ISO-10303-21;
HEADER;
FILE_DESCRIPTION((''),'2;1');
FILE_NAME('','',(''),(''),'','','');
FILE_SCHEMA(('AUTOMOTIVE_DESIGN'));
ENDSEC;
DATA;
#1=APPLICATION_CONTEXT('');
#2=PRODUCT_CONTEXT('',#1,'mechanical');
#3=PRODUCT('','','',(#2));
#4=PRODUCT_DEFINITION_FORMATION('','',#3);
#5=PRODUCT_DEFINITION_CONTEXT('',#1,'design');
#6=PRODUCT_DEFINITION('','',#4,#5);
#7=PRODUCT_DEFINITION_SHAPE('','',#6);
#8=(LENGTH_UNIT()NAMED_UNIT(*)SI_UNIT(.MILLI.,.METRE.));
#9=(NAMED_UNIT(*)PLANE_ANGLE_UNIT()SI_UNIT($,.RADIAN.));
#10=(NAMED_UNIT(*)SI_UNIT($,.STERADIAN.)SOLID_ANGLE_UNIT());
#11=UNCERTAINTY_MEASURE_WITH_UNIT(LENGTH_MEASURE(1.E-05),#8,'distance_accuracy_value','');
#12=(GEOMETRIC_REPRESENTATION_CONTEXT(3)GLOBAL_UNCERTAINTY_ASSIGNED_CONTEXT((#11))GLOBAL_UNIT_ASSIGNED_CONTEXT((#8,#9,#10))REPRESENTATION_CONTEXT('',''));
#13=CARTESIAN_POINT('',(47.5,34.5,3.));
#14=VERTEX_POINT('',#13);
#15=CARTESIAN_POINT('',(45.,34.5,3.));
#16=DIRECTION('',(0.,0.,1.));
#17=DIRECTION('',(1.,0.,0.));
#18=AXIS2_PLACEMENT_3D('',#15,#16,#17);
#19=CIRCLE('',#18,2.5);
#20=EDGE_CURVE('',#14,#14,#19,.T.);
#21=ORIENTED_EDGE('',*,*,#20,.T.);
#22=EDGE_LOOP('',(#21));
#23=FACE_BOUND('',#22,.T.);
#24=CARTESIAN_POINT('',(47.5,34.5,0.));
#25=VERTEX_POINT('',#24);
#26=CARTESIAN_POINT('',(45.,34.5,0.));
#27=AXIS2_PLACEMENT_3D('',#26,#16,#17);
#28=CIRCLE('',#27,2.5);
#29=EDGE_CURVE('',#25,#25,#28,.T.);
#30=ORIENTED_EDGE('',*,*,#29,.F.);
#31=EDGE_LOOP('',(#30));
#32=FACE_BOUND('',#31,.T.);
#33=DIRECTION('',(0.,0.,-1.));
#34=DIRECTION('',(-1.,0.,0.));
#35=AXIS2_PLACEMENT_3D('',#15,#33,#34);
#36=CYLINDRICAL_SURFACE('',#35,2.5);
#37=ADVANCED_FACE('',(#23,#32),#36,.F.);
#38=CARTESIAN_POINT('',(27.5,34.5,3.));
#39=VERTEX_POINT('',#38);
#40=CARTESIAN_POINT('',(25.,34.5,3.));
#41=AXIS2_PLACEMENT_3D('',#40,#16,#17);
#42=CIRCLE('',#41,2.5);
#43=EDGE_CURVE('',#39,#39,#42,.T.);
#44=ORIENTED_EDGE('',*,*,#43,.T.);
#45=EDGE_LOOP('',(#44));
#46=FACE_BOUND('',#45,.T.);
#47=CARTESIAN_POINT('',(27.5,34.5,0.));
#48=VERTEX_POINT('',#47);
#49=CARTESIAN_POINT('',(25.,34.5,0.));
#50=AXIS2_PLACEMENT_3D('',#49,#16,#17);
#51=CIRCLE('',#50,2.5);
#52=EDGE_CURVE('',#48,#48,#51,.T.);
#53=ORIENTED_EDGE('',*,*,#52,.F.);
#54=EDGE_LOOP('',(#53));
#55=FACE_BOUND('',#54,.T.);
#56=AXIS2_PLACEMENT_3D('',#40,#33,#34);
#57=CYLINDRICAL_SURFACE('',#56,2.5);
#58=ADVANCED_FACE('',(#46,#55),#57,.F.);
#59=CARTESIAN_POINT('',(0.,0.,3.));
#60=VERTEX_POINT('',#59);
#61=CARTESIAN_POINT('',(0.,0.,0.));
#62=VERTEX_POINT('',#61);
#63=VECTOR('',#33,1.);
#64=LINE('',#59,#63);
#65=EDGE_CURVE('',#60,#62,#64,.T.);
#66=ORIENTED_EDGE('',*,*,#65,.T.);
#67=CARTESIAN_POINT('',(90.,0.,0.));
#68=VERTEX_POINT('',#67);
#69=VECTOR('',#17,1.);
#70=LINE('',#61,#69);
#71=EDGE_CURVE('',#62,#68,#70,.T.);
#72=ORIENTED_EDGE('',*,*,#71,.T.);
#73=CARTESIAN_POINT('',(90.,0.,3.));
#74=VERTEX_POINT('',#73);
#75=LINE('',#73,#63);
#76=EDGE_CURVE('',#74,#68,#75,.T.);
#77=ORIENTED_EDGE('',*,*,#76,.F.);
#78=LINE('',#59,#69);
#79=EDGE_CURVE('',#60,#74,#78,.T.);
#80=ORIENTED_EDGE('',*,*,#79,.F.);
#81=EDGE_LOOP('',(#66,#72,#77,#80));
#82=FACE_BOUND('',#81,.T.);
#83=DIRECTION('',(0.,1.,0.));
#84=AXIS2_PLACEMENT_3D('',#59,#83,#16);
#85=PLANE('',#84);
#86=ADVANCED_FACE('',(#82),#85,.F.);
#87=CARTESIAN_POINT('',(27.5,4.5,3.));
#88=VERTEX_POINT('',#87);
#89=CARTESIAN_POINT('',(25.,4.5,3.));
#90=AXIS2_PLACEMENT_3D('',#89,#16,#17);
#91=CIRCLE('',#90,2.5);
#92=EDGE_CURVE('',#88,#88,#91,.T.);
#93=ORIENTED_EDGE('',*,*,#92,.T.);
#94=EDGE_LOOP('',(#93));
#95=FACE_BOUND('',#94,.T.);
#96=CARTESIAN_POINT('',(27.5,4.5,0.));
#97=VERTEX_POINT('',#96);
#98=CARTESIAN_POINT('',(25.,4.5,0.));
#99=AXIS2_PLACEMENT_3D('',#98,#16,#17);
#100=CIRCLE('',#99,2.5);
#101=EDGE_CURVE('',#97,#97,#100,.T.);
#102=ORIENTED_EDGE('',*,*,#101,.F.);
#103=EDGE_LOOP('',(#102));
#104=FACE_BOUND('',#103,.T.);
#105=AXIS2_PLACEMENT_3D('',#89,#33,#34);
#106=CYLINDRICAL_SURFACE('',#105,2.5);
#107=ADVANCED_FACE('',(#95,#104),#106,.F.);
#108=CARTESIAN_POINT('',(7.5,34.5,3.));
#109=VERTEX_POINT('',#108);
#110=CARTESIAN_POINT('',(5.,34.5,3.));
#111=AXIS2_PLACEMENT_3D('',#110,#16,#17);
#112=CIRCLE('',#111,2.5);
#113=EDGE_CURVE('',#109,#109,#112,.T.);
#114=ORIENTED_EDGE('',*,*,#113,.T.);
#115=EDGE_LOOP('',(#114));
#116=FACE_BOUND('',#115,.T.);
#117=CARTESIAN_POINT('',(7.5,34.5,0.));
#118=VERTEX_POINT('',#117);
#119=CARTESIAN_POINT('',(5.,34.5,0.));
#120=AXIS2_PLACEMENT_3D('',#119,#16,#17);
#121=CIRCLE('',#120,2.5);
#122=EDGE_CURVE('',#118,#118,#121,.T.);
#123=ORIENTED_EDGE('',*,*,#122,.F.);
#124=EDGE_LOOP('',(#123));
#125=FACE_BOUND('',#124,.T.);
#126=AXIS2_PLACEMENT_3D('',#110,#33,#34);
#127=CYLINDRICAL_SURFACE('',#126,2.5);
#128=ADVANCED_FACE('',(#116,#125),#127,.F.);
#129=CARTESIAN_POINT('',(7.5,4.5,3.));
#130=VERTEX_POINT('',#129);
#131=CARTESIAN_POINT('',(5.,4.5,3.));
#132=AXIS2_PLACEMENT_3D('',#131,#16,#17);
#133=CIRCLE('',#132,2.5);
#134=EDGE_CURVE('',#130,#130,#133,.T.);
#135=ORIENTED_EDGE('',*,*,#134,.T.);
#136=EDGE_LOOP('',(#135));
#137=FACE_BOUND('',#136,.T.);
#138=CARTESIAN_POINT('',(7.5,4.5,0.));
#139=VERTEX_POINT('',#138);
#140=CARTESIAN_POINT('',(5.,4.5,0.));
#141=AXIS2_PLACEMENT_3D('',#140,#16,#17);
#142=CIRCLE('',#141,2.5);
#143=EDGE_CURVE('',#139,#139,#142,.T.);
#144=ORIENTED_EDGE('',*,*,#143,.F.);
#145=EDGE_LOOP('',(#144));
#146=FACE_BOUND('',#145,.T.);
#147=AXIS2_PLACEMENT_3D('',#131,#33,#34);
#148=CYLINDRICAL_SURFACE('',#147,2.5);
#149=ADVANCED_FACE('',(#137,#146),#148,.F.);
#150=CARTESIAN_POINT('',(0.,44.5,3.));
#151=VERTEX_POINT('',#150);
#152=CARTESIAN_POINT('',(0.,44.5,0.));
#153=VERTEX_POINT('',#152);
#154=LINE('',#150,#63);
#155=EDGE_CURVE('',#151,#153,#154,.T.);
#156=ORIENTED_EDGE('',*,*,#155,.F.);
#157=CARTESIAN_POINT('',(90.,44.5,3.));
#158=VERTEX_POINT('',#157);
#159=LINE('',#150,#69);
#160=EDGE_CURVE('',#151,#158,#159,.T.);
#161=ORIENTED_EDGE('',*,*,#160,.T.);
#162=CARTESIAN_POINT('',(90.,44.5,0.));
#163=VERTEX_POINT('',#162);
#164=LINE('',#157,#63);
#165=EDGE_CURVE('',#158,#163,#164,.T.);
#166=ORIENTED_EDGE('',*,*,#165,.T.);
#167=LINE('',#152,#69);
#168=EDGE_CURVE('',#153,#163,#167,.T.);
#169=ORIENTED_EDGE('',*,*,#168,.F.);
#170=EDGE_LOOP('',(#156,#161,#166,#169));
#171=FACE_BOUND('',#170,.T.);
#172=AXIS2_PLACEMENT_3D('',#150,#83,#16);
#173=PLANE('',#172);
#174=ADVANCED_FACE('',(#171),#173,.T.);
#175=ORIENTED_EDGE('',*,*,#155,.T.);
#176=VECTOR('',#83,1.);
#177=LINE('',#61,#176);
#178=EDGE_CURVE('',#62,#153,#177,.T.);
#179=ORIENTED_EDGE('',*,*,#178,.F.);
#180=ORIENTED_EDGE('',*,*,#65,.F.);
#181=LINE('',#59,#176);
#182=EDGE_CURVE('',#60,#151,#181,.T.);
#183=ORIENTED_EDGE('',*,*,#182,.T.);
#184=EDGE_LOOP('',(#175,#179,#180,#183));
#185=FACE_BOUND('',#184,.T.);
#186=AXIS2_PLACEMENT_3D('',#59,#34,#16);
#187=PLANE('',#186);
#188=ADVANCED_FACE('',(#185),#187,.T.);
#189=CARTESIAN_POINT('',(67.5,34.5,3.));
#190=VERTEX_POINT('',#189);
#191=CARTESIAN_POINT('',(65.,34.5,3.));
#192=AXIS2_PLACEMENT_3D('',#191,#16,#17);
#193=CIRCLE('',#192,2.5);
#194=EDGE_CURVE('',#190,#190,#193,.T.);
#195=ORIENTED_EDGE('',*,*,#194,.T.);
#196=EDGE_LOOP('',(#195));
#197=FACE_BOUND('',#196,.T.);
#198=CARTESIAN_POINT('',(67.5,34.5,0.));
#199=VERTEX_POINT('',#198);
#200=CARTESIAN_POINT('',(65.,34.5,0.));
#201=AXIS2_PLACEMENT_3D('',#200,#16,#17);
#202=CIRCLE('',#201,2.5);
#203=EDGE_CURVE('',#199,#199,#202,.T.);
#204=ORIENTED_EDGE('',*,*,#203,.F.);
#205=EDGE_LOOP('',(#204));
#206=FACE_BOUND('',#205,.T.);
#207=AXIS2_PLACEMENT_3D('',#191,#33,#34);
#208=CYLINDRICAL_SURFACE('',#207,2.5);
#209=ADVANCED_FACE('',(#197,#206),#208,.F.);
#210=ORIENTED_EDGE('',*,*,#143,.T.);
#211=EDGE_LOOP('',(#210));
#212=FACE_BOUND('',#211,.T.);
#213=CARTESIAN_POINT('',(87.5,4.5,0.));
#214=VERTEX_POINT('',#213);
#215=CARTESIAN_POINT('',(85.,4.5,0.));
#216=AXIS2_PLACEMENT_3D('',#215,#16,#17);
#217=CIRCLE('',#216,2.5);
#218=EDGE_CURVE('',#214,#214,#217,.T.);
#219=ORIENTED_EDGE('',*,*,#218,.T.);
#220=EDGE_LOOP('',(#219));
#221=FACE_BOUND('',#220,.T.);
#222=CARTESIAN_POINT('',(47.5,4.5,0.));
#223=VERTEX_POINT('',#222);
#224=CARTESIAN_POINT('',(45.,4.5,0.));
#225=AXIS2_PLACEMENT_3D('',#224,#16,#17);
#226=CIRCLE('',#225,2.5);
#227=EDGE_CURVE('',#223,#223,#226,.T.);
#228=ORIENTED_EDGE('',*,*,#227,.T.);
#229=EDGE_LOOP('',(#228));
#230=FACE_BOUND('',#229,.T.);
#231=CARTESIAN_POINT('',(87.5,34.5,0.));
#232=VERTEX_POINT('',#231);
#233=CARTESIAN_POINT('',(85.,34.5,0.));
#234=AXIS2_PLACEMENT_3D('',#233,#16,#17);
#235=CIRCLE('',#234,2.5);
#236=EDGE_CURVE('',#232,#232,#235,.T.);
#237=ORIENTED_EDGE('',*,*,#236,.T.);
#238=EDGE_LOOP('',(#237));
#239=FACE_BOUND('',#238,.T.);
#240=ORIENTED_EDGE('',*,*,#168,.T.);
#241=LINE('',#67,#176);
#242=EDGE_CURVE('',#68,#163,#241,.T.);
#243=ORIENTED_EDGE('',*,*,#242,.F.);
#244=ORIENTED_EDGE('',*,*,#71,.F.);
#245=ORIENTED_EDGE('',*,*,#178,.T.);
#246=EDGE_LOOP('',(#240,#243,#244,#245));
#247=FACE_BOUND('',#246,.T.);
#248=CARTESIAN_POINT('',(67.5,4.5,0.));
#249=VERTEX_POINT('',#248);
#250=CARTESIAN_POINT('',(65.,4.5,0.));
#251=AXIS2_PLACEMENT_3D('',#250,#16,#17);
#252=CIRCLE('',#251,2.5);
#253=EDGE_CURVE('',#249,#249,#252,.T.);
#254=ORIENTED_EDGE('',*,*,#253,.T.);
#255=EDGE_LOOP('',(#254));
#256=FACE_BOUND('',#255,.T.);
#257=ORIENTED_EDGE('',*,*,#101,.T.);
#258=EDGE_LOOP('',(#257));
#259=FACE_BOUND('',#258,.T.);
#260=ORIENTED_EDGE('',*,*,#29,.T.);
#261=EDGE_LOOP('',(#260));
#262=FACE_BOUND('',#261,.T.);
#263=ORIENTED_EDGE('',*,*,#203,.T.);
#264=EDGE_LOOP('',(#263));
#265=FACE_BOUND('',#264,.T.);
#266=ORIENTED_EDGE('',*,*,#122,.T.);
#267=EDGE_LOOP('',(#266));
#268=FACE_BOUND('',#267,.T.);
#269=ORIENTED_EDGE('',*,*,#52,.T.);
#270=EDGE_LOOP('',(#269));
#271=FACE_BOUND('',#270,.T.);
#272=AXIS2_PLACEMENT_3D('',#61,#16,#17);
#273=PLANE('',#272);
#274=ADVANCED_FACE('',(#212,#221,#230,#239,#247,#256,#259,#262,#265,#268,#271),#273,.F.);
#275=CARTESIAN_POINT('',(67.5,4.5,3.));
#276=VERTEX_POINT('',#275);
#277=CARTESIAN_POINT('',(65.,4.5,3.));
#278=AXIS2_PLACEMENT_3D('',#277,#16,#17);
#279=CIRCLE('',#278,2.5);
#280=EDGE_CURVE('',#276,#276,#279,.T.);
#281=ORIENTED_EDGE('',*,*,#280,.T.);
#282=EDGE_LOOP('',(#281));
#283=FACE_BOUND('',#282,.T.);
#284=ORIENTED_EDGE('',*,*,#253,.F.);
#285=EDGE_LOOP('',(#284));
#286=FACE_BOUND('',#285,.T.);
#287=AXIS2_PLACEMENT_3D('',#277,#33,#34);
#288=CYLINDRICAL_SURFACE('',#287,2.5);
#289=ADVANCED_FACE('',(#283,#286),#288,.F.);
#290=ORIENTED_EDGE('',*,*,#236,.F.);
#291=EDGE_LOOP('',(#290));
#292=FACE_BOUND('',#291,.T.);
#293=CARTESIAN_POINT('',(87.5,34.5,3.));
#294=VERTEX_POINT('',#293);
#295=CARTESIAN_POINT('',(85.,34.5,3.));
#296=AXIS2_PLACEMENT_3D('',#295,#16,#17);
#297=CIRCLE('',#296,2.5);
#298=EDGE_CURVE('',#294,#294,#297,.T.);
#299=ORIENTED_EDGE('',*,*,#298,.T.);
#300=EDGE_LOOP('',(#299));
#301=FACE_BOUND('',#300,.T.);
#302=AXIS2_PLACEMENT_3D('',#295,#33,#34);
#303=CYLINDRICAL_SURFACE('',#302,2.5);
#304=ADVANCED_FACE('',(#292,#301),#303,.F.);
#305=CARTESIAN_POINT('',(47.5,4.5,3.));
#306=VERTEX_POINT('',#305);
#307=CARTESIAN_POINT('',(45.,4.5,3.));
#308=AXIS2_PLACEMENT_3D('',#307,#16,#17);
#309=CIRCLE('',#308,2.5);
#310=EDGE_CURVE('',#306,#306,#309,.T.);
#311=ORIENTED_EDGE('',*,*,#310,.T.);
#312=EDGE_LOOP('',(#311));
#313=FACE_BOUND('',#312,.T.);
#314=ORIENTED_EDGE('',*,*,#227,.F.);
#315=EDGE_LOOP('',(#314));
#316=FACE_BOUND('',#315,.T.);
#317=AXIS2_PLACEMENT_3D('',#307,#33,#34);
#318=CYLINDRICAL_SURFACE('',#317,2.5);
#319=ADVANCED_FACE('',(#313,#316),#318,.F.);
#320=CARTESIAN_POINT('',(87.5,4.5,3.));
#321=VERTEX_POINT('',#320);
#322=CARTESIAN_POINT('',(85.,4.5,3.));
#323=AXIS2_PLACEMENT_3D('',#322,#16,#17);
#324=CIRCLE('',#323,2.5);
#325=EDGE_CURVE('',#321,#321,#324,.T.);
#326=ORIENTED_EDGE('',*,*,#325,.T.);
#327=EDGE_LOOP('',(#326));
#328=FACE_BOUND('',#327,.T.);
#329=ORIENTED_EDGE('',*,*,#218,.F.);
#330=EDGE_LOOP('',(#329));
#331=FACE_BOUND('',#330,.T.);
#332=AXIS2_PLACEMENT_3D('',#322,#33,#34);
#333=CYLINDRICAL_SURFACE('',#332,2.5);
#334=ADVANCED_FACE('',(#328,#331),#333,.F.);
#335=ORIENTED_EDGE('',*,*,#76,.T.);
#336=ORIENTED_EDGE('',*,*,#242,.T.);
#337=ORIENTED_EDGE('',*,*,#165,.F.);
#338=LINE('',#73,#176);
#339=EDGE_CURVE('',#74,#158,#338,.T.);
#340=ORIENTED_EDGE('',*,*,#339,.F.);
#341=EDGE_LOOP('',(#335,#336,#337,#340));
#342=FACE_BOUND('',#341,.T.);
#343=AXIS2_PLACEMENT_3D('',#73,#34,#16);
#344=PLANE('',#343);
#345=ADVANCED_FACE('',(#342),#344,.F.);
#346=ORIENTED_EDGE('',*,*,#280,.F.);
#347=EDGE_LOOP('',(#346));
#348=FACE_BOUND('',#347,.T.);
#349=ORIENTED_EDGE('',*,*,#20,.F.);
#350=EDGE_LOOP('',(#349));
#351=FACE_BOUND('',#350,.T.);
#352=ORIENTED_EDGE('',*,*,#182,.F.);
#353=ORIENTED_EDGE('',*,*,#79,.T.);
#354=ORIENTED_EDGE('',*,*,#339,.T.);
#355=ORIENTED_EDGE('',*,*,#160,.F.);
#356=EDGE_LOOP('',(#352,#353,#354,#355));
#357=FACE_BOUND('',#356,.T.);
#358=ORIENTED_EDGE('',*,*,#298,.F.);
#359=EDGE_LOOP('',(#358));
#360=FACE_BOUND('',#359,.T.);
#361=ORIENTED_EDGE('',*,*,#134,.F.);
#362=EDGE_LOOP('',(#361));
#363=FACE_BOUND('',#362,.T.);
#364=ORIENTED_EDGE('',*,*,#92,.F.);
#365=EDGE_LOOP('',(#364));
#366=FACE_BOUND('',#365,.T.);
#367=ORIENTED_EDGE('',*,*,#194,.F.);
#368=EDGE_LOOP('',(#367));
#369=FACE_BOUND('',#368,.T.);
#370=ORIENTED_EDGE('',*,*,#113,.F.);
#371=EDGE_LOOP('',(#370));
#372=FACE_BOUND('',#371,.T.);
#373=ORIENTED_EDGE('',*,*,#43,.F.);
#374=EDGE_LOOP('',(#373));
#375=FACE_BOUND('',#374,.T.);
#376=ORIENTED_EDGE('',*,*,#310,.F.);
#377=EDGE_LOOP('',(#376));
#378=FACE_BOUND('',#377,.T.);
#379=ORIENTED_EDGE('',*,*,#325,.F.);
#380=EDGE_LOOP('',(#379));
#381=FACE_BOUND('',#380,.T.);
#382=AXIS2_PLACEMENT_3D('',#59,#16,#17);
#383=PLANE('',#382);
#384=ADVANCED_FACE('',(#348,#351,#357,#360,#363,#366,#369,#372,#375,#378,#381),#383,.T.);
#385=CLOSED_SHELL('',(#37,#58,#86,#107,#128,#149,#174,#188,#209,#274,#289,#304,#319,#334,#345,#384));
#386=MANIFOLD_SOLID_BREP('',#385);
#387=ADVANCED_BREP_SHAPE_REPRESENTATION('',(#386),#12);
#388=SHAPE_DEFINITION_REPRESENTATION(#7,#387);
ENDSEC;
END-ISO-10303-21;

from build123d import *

# Parameters (mm, degrees)
SKETCH1_W           = 90
SKETCH1_H           = 14.5
SKETCH1_R           = 2.5
SKETCH1_H_2         = 30
BOSS_EXTRUDE1_DEPTH = 3


with BuildPart() as part:
    # Sketch1 → Boss-Extrude1 (new body)
    # profile 1 of 2: a face of its own
    with BuildSketch(Plane.XY):
        with Locations((45, 7.25)):
            Rectangle(SKETCH1_W, SKETCH1_H)
        with Locations((5, 4.5)):
            Circle(SKETCH1_R, mode=Mode.SUBTRACT)
        with Locations((25, 4.5)):
            Circle(SKETCH1_R, mode=Mode.SUBTRACT)
        with Locations((45, 4.5)):
            Circle(SKETCH1_R, mode=Mode.SUBTRACT)
        with Locations((65, 4.5)):
            Circle(SKETCH1_R, mode=Mode.SUBTRACT)
        with Locations((85, 4.5)):
            Circle(SKETCH1_R, mode=Mode.SUBTRACT)
    # profile 2 of 2: a face of its own
    with BuildSketch(Plane.XY):
        with Locations((45, 29.5)):
            Rectangle(SKETCH1_W, SKETCH1_H_2)
        with Locations((5, 34.5)):
            Circle(SKETCH1_R, mode=Mode.SUBTRACT)
        with Locations((25, 34.5)):
            Circle(SKETCH1_R, mode=Mode.SUBTRACT)
        with Locations((45, 34.5)):
            Circle(SKETCH1_R, mode=Mode.SUBTRACT)
        with Locations((65, 34.5)):
            Circle(SKETCH1_R, mode=Mode.SUBTRACT)
        with Locations((85, 34.5)):
            Circle(SKETCH1_R, mode=Mode.SUBTRACT)
    extrude(amount=BOSS_EXTRUDE1_DEPTH)


solid = part.part
